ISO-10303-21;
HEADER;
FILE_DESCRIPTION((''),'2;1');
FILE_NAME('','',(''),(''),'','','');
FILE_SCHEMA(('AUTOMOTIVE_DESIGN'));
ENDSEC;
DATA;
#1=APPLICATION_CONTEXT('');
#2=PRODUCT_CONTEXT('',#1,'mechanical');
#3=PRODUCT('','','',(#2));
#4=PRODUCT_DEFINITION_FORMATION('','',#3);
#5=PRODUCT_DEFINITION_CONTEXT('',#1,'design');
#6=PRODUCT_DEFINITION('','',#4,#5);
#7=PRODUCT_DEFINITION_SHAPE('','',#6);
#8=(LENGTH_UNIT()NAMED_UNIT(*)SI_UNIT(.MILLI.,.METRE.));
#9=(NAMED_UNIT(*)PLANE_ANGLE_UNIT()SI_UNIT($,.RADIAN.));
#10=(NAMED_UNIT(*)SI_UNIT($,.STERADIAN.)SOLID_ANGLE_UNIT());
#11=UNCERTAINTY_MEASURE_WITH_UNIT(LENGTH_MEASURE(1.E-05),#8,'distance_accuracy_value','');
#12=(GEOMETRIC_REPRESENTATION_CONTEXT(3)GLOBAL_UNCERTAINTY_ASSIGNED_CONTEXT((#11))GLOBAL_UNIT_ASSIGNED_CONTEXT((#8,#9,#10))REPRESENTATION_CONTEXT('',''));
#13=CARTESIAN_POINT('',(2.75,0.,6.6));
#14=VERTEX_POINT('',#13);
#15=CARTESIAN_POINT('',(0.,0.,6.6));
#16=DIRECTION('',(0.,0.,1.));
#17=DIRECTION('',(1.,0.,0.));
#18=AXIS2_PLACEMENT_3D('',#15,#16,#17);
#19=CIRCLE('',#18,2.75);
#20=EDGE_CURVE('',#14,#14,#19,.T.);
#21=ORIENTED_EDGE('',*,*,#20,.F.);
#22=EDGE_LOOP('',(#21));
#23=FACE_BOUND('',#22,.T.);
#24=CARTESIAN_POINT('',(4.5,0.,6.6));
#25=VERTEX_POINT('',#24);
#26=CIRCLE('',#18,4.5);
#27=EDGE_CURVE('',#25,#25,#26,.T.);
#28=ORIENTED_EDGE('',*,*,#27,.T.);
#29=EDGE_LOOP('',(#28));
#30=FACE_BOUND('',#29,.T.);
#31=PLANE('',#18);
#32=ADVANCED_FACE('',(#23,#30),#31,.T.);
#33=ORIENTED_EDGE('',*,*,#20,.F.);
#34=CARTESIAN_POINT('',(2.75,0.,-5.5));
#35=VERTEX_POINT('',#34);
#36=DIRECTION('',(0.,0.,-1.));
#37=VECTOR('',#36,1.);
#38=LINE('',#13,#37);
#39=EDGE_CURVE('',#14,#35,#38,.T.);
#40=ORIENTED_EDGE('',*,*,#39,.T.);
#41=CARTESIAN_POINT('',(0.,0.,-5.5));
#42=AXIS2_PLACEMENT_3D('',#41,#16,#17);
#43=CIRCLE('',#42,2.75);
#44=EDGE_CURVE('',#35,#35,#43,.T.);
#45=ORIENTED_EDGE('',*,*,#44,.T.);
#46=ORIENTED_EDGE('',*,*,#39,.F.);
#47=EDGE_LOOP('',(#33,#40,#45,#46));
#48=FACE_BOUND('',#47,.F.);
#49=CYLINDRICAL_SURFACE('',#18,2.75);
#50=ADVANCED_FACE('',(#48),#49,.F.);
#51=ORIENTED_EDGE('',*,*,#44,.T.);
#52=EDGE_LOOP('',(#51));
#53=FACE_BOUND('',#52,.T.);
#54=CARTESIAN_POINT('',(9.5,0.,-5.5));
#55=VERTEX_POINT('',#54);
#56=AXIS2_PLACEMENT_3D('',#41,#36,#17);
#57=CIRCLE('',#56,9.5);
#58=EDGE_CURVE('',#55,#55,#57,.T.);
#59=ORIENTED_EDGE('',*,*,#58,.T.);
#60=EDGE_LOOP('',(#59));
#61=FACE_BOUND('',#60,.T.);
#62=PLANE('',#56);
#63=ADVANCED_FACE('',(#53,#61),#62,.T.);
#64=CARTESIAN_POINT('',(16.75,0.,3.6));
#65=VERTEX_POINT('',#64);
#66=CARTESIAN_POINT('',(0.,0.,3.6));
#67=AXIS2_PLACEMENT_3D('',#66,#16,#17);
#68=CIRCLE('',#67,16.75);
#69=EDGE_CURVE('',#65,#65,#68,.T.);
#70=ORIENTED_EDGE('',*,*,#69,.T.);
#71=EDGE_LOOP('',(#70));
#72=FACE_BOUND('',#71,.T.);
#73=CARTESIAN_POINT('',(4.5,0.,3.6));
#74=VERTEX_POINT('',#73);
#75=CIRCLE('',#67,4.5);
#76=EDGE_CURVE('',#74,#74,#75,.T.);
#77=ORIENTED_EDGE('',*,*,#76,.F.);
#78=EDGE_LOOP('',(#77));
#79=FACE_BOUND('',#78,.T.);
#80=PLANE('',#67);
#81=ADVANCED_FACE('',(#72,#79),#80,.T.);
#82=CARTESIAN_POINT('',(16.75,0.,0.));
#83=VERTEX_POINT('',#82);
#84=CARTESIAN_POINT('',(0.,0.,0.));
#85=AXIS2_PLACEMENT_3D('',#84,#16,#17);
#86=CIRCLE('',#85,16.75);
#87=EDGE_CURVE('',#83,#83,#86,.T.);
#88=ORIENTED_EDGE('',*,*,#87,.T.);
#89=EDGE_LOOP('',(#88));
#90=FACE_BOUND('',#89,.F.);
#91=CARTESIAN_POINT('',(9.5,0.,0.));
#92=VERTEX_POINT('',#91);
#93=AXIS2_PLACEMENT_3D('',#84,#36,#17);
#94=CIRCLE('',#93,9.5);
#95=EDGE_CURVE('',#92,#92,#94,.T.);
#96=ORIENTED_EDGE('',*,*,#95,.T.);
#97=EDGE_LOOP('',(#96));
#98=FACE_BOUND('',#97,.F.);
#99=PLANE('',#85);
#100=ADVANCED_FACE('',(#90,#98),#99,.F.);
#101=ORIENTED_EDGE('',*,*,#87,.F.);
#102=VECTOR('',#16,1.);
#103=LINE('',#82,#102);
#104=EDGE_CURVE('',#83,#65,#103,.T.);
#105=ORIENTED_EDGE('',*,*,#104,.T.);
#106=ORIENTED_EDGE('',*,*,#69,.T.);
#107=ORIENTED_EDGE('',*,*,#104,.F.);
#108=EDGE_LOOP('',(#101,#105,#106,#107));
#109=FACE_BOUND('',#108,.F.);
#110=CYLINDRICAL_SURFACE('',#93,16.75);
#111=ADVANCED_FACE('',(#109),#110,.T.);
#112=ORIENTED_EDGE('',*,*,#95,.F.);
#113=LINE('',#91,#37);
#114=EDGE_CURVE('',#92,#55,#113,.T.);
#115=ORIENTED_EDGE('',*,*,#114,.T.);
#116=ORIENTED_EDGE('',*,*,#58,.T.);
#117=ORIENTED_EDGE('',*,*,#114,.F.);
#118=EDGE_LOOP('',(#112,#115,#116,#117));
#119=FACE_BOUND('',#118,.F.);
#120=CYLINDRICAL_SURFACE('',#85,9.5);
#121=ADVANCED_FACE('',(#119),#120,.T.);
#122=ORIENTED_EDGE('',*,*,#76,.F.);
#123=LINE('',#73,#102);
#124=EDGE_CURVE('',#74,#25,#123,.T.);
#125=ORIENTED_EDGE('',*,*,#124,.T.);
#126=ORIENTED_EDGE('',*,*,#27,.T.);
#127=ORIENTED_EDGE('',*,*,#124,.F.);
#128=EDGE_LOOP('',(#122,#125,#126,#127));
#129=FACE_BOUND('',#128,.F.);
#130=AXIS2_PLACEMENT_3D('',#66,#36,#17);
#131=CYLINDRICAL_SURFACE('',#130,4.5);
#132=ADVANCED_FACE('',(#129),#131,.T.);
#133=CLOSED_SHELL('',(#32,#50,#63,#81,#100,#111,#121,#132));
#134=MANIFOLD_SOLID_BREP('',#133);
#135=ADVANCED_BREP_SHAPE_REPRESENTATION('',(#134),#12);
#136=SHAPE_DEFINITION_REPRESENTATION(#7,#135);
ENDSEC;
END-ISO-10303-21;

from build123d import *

# Parameters (mm, degrees)
SKETCH_R     = 16.75
PAD_DEPTH    = 3.6
SKETCH003_R  = 9.5
PAD002_DEPTH = 5.5
SKETCH001_R  = 4.5
PAD001_DEPTH = 3
SKETCH002_R  = 2.75
POCKET_DEPTH = 12.101


with BuildPart() as part:
    # Sketch → Pad (new body)
    with BuildSketch(Plane.XY):
        Circle(SKETCH_R)
    extrude(amount=PAD_DEPTH)

    # Sketch003 (on Face2 of Pocket) → Pad002 (join)
    with BuildSketch(Plane(origin=(0, 0, 0), x_dir=(1, 0, 0), z_dir=(0, 0, -1))):
        Circle(SKETCH003_R)
    extrude(amount=PAD002_DEPTH)

    # Sketch001 (on Face3 of Pad) → Pad001 (join)
    with BuildSketch(Plane.XY.offset(3.6)):
        Circle(SKETCH001_R)
    extrude(amount=PAD001_DEPTH)

    # Sketch002 (on Face5 of Pad001) → Pocket (cut, through all)
    with BuildSketch(Plane.XY.offset(6.6)):
        Circle(SKETCH002_R)
    extrude(amount=-POCKET_DEPTH, mode=Mode.SUBTRACT)


solid = part.part
